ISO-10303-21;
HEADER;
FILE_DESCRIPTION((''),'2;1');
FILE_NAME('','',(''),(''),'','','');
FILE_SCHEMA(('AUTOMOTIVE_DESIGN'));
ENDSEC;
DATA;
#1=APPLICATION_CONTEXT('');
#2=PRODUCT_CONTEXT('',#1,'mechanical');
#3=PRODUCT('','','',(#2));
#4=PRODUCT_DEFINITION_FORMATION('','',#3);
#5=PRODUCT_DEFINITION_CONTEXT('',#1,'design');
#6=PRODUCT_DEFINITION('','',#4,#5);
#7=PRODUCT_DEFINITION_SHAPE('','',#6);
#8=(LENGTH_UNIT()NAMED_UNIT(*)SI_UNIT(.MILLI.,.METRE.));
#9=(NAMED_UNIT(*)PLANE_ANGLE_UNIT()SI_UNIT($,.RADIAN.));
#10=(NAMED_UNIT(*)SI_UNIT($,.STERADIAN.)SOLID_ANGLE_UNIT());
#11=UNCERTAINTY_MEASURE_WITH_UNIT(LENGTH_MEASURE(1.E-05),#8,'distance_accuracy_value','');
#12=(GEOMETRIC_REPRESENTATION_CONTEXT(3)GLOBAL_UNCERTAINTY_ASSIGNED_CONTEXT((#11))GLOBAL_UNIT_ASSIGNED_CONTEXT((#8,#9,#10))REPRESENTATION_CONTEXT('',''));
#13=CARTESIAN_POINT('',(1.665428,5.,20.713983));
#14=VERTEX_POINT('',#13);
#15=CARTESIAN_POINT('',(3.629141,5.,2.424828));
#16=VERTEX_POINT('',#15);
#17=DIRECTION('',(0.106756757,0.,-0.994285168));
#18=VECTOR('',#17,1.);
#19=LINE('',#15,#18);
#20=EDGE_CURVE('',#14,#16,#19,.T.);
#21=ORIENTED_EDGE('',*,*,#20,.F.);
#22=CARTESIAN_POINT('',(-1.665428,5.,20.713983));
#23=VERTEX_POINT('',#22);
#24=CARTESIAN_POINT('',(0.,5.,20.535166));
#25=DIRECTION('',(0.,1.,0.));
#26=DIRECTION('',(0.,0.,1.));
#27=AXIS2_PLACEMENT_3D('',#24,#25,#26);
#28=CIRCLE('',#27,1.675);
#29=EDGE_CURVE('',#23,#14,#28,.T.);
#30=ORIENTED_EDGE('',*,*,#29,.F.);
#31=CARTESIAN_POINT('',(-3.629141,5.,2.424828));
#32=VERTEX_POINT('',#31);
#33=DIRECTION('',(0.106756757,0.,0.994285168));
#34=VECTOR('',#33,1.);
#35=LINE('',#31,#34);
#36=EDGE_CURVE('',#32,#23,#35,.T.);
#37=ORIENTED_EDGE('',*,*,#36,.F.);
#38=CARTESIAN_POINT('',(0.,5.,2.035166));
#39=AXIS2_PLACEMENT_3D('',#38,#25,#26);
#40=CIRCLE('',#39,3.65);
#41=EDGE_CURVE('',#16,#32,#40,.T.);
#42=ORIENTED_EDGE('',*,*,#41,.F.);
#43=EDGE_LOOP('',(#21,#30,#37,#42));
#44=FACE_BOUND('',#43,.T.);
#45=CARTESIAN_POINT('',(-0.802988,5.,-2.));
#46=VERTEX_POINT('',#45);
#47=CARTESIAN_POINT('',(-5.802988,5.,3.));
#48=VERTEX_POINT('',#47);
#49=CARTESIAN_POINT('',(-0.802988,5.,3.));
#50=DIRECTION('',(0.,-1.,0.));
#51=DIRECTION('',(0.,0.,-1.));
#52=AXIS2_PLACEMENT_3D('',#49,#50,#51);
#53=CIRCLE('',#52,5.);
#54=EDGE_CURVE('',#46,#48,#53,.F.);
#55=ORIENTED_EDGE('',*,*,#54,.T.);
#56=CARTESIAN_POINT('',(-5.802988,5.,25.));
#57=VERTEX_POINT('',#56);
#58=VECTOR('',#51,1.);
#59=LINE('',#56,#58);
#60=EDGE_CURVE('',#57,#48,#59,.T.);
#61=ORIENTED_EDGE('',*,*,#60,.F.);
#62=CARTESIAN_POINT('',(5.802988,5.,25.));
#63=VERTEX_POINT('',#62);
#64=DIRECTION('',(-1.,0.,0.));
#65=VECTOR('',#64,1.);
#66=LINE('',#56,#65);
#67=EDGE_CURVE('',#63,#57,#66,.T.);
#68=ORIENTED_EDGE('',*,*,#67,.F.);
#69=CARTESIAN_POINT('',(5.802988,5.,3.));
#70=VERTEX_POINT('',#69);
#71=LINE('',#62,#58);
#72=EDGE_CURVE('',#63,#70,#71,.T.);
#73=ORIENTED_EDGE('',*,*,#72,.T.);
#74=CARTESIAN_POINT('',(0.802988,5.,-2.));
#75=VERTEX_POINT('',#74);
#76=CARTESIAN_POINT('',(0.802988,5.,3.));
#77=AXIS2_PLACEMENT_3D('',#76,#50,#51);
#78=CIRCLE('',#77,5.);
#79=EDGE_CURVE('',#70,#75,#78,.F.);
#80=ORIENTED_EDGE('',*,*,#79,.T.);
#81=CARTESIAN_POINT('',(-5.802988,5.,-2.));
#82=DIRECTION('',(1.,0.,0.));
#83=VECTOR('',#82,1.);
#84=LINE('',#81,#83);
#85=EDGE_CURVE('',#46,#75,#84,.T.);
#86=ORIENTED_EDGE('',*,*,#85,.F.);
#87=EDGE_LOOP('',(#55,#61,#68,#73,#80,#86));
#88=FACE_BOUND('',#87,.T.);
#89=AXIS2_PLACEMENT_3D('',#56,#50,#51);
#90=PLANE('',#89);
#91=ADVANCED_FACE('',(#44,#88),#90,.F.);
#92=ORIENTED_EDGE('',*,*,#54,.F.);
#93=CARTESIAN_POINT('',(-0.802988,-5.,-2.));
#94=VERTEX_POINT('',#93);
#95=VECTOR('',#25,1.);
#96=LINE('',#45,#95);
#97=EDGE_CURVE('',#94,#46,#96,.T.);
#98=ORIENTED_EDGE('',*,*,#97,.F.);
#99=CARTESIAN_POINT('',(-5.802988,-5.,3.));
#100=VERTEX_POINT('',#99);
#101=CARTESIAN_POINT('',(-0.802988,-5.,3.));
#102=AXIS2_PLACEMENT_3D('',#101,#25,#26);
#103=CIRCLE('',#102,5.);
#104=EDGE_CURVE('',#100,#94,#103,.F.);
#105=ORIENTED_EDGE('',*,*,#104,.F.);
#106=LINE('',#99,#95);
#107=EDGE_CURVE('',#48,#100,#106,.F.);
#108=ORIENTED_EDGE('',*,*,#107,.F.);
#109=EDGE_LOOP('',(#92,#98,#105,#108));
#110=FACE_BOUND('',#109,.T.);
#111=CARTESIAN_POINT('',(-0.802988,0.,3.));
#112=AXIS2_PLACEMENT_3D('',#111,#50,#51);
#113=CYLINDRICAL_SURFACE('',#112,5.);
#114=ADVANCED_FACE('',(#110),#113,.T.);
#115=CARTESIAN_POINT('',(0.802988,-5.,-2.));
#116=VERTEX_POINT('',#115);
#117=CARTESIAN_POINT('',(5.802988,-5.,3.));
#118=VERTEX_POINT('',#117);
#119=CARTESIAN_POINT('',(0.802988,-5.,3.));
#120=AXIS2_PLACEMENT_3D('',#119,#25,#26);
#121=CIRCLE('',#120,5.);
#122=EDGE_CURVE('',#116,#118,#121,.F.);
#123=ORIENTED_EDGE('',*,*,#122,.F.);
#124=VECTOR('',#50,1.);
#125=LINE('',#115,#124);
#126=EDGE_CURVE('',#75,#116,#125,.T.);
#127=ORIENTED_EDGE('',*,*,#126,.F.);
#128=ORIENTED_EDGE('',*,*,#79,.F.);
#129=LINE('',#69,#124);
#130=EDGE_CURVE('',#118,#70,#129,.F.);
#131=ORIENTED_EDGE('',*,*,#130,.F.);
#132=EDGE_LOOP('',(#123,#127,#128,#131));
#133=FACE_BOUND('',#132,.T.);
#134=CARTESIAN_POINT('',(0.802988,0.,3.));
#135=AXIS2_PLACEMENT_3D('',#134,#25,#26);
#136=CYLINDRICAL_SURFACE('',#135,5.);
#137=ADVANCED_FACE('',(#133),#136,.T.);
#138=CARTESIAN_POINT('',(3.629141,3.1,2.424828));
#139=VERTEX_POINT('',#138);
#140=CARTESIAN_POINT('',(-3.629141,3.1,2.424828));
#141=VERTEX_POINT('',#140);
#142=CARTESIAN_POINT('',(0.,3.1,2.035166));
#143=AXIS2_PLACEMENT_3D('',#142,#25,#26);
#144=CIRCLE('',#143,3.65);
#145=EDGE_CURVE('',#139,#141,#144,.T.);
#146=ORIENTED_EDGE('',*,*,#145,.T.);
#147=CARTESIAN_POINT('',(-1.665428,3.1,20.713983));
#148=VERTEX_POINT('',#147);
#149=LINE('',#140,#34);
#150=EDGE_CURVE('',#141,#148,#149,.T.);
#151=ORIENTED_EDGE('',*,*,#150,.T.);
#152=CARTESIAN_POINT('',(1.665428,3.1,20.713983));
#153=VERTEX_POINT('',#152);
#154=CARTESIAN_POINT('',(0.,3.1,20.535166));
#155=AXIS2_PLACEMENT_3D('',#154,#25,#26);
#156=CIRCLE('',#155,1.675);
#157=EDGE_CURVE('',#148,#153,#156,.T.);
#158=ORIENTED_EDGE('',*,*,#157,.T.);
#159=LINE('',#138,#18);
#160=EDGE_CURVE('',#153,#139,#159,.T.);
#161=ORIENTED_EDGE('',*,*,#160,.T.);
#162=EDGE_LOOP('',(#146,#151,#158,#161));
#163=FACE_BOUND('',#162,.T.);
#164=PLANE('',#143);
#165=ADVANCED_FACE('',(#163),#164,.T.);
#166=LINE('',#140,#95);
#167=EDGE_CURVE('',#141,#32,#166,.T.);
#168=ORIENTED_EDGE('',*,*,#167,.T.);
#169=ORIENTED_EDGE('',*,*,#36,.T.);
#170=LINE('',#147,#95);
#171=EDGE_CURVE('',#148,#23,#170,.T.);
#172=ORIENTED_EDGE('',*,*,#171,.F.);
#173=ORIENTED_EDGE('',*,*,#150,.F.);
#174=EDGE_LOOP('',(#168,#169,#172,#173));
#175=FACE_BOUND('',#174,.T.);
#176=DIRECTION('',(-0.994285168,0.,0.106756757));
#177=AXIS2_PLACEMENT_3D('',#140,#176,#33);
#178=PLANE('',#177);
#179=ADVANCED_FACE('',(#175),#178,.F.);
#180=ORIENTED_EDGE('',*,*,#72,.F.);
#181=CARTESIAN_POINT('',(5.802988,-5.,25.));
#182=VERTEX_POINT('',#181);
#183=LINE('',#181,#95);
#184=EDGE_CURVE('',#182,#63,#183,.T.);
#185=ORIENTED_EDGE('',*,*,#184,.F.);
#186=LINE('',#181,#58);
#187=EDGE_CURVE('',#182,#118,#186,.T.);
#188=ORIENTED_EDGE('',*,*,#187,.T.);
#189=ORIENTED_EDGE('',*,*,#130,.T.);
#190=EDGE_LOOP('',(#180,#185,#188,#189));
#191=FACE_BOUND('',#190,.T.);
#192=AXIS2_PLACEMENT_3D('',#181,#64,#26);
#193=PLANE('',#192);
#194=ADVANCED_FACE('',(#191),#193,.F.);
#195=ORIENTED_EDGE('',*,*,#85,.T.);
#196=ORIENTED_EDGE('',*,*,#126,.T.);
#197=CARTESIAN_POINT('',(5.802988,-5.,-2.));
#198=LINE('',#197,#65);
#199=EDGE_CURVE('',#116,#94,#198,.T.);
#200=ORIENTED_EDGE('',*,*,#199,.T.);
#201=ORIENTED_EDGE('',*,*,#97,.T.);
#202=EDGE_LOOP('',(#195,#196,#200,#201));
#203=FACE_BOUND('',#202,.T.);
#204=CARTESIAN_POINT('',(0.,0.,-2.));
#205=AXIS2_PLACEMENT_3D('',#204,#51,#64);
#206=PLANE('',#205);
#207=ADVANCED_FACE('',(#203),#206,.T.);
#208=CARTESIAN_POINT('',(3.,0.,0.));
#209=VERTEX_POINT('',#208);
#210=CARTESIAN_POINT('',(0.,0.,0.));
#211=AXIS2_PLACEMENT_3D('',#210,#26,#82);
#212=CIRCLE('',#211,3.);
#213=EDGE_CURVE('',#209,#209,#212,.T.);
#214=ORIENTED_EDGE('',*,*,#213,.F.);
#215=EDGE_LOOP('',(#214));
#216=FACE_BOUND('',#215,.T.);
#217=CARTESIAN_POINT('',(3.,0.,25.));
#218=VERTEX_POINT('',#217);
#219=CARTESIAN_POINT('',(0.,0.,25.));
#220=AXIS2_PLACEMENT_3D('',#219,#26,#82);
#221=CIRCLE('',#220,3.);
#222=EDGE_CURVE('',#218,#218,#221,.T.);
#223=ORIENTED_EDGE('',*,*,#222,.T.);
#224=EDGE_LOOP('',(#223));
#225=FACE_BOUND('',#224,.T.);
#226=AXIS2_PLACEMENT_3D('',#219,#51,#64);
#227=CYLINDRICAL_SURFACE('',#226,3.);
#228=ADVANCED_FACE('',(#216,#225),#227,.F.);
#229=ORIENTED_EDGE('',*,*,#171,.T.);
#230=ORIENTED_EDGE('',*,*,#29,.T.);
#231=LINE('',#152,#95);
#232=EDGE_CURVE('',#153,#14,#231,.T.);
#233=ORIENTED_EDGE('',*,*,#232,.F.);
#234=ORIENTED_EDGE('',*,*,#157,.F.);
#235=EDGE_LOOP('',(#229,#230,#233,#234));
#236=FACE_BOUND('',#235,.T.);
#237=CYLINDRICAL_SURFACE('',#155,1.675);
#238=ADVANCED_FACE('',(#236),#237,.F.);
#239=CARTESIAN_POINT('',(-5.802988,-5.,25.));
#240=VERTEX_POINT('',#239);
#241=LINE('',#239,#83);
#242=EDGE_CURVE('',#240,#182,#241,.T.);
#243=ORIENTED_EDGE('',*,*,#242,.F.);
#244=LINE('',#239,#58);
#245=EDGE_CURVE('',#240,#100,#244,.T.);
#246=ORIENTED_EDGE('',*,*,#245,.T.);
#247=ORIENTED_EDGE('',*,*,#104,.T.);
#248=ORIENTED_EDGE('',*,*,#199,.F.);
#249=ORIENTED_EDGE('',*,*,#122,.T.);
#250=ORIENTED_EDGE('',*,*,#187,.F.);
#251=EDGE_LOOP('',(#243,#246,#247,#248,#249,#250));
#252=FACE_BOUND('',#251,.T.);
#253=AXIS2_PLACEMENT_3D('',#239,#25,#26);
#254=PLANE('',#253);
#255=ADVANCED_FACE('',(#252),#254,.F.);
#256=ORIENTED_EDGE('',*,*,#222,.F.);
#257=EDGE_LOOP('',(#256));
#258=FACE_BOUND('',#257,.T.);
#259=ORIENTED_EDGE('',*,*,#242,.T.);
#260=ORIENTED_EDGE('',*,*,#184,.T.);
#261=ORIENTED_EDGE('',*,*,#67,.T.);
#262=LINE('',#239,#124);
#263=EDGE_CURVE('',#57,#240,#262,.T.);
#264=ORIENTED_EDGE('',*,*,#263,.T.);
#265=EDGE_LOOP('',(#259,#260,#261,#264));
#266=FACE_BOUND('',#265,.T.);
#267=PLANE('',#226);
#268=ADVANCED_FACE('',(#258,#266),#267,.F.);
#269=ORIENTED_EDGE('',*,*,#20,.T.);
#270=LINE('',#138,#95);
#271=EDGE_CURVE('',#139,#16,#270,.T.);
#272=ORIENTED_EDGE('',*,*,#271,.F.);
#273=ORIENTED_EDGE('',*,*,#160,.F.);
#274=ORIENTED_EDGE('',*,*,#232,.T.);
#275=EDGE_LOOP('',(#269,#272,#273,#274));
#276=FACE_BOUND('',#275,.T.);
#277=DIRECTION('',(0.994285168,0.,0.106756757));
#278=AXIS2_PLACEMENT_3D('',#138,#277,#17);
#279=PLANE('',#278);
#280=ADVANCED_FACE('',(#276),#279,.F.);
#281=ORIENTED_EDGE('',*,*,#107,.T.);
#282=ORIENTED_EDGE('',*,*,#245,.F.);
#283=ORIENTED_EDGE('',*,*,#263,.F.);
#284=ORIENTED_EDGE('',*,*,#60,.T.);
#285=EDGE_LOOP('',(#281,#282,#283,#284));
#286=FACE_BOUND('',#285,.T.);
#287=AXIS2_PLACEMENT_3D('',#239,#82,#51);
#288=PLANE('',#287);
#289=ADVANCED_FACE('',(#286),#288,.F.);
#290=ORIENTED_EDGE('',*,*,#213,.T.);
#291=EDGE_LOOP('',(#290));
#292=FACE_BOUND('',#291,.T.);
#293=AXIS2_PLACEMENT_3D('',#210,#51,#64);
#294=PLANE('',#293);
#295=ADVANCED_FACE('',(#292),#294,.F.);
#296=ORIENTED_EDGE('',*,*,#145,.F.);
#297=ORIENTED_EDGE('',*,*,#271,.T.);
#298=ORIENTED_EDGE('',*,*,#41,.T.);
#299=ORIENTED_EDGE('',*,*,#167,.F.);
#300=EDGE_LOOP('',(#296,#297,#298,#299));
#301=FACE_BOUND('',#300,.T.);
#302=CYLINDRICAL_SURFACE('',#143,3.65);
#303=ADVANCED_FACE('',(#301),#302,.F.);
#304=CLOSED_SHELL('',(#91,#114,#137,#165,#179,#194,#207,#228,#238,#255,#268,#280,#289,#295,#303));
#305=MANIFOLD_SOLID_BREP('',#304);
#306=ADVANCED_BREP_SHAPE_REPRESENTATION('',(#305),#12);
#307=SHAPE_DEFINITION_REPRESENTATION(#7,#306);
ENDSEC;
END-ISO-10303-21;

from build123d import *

# Parameters (mm, degrees)
SKETCH1_W           = 11.605976064
SKETCH1_H           = 10
SKETCH1_R           = 3
BOSS_EXTRUDE1_DEPTH = 25
SKETCH2_W           = 11.605976064
SKETCH2_H           = 10
BOSS_EXTRUDE2_DEPTH = 2
FILLET1_R           = 5
CUT_EXTRUDE1_DEPTH  = 1.9


with BuildPart() as part:
    # Sketch1 → Boss-Extrude1 (new body)
    with BuildSketch(Plane.XY):
        Rectangle(SKETCH1_W, SKETCH1_H)
        Circle(SKETCH1_R, mode=Mode.SUBTRACT)
    extrude(amount=BOSS_EXTRUDE1_DEPTH)

    # Sketch2 → Boss-Extrude2 (add)
    with BuildSketch(Plane(origin=(0, 0, 0), x_dir=(-1, 0, 0), z_dir=(0, 0, -1))):
        Rectangle(SKETCH2_W, SKETCH2_H)
    extrude(amount=BOSS_EXTRUDE2_DEPTH)

    # Fillet1
    fillet1_edges = [part.edges().sort_by_distance(p)[0] for p in [
        (5.802988032, 0, -2),
        (-5.802988032, 0, -2),
    ]]
    fillet(fillet1_edges, radius=FILLET1_R)

    # Sketch3 → Cut-Extrude1 (cut)
    with BuildSketch(Plane(origin=(0, 5, 0), x_dir=(1, 0, 0), z_dir=(0, 1, 0))):
        with BuildLine():
            Line((3.629140862, -2.424827665), (1.665427656, -20.71398307))
            ThreePointArc((1.665427656, -20.71398307), (0, -22.210165502), (-1.665427656, -20.71398307))
            Line((-1.665427656, -20.71398307), (-3.629140862, -2.424827665))
            ThreePointArc((-3.629140862, -2.424827665), (0, 1.614834498), (3.629140862, -2.424827665))
        make_face()
    extrude(amount=-CUT_EXTRUDE1_DEPTH, mode=Mode.SUBTRACT)


solid = part.part
